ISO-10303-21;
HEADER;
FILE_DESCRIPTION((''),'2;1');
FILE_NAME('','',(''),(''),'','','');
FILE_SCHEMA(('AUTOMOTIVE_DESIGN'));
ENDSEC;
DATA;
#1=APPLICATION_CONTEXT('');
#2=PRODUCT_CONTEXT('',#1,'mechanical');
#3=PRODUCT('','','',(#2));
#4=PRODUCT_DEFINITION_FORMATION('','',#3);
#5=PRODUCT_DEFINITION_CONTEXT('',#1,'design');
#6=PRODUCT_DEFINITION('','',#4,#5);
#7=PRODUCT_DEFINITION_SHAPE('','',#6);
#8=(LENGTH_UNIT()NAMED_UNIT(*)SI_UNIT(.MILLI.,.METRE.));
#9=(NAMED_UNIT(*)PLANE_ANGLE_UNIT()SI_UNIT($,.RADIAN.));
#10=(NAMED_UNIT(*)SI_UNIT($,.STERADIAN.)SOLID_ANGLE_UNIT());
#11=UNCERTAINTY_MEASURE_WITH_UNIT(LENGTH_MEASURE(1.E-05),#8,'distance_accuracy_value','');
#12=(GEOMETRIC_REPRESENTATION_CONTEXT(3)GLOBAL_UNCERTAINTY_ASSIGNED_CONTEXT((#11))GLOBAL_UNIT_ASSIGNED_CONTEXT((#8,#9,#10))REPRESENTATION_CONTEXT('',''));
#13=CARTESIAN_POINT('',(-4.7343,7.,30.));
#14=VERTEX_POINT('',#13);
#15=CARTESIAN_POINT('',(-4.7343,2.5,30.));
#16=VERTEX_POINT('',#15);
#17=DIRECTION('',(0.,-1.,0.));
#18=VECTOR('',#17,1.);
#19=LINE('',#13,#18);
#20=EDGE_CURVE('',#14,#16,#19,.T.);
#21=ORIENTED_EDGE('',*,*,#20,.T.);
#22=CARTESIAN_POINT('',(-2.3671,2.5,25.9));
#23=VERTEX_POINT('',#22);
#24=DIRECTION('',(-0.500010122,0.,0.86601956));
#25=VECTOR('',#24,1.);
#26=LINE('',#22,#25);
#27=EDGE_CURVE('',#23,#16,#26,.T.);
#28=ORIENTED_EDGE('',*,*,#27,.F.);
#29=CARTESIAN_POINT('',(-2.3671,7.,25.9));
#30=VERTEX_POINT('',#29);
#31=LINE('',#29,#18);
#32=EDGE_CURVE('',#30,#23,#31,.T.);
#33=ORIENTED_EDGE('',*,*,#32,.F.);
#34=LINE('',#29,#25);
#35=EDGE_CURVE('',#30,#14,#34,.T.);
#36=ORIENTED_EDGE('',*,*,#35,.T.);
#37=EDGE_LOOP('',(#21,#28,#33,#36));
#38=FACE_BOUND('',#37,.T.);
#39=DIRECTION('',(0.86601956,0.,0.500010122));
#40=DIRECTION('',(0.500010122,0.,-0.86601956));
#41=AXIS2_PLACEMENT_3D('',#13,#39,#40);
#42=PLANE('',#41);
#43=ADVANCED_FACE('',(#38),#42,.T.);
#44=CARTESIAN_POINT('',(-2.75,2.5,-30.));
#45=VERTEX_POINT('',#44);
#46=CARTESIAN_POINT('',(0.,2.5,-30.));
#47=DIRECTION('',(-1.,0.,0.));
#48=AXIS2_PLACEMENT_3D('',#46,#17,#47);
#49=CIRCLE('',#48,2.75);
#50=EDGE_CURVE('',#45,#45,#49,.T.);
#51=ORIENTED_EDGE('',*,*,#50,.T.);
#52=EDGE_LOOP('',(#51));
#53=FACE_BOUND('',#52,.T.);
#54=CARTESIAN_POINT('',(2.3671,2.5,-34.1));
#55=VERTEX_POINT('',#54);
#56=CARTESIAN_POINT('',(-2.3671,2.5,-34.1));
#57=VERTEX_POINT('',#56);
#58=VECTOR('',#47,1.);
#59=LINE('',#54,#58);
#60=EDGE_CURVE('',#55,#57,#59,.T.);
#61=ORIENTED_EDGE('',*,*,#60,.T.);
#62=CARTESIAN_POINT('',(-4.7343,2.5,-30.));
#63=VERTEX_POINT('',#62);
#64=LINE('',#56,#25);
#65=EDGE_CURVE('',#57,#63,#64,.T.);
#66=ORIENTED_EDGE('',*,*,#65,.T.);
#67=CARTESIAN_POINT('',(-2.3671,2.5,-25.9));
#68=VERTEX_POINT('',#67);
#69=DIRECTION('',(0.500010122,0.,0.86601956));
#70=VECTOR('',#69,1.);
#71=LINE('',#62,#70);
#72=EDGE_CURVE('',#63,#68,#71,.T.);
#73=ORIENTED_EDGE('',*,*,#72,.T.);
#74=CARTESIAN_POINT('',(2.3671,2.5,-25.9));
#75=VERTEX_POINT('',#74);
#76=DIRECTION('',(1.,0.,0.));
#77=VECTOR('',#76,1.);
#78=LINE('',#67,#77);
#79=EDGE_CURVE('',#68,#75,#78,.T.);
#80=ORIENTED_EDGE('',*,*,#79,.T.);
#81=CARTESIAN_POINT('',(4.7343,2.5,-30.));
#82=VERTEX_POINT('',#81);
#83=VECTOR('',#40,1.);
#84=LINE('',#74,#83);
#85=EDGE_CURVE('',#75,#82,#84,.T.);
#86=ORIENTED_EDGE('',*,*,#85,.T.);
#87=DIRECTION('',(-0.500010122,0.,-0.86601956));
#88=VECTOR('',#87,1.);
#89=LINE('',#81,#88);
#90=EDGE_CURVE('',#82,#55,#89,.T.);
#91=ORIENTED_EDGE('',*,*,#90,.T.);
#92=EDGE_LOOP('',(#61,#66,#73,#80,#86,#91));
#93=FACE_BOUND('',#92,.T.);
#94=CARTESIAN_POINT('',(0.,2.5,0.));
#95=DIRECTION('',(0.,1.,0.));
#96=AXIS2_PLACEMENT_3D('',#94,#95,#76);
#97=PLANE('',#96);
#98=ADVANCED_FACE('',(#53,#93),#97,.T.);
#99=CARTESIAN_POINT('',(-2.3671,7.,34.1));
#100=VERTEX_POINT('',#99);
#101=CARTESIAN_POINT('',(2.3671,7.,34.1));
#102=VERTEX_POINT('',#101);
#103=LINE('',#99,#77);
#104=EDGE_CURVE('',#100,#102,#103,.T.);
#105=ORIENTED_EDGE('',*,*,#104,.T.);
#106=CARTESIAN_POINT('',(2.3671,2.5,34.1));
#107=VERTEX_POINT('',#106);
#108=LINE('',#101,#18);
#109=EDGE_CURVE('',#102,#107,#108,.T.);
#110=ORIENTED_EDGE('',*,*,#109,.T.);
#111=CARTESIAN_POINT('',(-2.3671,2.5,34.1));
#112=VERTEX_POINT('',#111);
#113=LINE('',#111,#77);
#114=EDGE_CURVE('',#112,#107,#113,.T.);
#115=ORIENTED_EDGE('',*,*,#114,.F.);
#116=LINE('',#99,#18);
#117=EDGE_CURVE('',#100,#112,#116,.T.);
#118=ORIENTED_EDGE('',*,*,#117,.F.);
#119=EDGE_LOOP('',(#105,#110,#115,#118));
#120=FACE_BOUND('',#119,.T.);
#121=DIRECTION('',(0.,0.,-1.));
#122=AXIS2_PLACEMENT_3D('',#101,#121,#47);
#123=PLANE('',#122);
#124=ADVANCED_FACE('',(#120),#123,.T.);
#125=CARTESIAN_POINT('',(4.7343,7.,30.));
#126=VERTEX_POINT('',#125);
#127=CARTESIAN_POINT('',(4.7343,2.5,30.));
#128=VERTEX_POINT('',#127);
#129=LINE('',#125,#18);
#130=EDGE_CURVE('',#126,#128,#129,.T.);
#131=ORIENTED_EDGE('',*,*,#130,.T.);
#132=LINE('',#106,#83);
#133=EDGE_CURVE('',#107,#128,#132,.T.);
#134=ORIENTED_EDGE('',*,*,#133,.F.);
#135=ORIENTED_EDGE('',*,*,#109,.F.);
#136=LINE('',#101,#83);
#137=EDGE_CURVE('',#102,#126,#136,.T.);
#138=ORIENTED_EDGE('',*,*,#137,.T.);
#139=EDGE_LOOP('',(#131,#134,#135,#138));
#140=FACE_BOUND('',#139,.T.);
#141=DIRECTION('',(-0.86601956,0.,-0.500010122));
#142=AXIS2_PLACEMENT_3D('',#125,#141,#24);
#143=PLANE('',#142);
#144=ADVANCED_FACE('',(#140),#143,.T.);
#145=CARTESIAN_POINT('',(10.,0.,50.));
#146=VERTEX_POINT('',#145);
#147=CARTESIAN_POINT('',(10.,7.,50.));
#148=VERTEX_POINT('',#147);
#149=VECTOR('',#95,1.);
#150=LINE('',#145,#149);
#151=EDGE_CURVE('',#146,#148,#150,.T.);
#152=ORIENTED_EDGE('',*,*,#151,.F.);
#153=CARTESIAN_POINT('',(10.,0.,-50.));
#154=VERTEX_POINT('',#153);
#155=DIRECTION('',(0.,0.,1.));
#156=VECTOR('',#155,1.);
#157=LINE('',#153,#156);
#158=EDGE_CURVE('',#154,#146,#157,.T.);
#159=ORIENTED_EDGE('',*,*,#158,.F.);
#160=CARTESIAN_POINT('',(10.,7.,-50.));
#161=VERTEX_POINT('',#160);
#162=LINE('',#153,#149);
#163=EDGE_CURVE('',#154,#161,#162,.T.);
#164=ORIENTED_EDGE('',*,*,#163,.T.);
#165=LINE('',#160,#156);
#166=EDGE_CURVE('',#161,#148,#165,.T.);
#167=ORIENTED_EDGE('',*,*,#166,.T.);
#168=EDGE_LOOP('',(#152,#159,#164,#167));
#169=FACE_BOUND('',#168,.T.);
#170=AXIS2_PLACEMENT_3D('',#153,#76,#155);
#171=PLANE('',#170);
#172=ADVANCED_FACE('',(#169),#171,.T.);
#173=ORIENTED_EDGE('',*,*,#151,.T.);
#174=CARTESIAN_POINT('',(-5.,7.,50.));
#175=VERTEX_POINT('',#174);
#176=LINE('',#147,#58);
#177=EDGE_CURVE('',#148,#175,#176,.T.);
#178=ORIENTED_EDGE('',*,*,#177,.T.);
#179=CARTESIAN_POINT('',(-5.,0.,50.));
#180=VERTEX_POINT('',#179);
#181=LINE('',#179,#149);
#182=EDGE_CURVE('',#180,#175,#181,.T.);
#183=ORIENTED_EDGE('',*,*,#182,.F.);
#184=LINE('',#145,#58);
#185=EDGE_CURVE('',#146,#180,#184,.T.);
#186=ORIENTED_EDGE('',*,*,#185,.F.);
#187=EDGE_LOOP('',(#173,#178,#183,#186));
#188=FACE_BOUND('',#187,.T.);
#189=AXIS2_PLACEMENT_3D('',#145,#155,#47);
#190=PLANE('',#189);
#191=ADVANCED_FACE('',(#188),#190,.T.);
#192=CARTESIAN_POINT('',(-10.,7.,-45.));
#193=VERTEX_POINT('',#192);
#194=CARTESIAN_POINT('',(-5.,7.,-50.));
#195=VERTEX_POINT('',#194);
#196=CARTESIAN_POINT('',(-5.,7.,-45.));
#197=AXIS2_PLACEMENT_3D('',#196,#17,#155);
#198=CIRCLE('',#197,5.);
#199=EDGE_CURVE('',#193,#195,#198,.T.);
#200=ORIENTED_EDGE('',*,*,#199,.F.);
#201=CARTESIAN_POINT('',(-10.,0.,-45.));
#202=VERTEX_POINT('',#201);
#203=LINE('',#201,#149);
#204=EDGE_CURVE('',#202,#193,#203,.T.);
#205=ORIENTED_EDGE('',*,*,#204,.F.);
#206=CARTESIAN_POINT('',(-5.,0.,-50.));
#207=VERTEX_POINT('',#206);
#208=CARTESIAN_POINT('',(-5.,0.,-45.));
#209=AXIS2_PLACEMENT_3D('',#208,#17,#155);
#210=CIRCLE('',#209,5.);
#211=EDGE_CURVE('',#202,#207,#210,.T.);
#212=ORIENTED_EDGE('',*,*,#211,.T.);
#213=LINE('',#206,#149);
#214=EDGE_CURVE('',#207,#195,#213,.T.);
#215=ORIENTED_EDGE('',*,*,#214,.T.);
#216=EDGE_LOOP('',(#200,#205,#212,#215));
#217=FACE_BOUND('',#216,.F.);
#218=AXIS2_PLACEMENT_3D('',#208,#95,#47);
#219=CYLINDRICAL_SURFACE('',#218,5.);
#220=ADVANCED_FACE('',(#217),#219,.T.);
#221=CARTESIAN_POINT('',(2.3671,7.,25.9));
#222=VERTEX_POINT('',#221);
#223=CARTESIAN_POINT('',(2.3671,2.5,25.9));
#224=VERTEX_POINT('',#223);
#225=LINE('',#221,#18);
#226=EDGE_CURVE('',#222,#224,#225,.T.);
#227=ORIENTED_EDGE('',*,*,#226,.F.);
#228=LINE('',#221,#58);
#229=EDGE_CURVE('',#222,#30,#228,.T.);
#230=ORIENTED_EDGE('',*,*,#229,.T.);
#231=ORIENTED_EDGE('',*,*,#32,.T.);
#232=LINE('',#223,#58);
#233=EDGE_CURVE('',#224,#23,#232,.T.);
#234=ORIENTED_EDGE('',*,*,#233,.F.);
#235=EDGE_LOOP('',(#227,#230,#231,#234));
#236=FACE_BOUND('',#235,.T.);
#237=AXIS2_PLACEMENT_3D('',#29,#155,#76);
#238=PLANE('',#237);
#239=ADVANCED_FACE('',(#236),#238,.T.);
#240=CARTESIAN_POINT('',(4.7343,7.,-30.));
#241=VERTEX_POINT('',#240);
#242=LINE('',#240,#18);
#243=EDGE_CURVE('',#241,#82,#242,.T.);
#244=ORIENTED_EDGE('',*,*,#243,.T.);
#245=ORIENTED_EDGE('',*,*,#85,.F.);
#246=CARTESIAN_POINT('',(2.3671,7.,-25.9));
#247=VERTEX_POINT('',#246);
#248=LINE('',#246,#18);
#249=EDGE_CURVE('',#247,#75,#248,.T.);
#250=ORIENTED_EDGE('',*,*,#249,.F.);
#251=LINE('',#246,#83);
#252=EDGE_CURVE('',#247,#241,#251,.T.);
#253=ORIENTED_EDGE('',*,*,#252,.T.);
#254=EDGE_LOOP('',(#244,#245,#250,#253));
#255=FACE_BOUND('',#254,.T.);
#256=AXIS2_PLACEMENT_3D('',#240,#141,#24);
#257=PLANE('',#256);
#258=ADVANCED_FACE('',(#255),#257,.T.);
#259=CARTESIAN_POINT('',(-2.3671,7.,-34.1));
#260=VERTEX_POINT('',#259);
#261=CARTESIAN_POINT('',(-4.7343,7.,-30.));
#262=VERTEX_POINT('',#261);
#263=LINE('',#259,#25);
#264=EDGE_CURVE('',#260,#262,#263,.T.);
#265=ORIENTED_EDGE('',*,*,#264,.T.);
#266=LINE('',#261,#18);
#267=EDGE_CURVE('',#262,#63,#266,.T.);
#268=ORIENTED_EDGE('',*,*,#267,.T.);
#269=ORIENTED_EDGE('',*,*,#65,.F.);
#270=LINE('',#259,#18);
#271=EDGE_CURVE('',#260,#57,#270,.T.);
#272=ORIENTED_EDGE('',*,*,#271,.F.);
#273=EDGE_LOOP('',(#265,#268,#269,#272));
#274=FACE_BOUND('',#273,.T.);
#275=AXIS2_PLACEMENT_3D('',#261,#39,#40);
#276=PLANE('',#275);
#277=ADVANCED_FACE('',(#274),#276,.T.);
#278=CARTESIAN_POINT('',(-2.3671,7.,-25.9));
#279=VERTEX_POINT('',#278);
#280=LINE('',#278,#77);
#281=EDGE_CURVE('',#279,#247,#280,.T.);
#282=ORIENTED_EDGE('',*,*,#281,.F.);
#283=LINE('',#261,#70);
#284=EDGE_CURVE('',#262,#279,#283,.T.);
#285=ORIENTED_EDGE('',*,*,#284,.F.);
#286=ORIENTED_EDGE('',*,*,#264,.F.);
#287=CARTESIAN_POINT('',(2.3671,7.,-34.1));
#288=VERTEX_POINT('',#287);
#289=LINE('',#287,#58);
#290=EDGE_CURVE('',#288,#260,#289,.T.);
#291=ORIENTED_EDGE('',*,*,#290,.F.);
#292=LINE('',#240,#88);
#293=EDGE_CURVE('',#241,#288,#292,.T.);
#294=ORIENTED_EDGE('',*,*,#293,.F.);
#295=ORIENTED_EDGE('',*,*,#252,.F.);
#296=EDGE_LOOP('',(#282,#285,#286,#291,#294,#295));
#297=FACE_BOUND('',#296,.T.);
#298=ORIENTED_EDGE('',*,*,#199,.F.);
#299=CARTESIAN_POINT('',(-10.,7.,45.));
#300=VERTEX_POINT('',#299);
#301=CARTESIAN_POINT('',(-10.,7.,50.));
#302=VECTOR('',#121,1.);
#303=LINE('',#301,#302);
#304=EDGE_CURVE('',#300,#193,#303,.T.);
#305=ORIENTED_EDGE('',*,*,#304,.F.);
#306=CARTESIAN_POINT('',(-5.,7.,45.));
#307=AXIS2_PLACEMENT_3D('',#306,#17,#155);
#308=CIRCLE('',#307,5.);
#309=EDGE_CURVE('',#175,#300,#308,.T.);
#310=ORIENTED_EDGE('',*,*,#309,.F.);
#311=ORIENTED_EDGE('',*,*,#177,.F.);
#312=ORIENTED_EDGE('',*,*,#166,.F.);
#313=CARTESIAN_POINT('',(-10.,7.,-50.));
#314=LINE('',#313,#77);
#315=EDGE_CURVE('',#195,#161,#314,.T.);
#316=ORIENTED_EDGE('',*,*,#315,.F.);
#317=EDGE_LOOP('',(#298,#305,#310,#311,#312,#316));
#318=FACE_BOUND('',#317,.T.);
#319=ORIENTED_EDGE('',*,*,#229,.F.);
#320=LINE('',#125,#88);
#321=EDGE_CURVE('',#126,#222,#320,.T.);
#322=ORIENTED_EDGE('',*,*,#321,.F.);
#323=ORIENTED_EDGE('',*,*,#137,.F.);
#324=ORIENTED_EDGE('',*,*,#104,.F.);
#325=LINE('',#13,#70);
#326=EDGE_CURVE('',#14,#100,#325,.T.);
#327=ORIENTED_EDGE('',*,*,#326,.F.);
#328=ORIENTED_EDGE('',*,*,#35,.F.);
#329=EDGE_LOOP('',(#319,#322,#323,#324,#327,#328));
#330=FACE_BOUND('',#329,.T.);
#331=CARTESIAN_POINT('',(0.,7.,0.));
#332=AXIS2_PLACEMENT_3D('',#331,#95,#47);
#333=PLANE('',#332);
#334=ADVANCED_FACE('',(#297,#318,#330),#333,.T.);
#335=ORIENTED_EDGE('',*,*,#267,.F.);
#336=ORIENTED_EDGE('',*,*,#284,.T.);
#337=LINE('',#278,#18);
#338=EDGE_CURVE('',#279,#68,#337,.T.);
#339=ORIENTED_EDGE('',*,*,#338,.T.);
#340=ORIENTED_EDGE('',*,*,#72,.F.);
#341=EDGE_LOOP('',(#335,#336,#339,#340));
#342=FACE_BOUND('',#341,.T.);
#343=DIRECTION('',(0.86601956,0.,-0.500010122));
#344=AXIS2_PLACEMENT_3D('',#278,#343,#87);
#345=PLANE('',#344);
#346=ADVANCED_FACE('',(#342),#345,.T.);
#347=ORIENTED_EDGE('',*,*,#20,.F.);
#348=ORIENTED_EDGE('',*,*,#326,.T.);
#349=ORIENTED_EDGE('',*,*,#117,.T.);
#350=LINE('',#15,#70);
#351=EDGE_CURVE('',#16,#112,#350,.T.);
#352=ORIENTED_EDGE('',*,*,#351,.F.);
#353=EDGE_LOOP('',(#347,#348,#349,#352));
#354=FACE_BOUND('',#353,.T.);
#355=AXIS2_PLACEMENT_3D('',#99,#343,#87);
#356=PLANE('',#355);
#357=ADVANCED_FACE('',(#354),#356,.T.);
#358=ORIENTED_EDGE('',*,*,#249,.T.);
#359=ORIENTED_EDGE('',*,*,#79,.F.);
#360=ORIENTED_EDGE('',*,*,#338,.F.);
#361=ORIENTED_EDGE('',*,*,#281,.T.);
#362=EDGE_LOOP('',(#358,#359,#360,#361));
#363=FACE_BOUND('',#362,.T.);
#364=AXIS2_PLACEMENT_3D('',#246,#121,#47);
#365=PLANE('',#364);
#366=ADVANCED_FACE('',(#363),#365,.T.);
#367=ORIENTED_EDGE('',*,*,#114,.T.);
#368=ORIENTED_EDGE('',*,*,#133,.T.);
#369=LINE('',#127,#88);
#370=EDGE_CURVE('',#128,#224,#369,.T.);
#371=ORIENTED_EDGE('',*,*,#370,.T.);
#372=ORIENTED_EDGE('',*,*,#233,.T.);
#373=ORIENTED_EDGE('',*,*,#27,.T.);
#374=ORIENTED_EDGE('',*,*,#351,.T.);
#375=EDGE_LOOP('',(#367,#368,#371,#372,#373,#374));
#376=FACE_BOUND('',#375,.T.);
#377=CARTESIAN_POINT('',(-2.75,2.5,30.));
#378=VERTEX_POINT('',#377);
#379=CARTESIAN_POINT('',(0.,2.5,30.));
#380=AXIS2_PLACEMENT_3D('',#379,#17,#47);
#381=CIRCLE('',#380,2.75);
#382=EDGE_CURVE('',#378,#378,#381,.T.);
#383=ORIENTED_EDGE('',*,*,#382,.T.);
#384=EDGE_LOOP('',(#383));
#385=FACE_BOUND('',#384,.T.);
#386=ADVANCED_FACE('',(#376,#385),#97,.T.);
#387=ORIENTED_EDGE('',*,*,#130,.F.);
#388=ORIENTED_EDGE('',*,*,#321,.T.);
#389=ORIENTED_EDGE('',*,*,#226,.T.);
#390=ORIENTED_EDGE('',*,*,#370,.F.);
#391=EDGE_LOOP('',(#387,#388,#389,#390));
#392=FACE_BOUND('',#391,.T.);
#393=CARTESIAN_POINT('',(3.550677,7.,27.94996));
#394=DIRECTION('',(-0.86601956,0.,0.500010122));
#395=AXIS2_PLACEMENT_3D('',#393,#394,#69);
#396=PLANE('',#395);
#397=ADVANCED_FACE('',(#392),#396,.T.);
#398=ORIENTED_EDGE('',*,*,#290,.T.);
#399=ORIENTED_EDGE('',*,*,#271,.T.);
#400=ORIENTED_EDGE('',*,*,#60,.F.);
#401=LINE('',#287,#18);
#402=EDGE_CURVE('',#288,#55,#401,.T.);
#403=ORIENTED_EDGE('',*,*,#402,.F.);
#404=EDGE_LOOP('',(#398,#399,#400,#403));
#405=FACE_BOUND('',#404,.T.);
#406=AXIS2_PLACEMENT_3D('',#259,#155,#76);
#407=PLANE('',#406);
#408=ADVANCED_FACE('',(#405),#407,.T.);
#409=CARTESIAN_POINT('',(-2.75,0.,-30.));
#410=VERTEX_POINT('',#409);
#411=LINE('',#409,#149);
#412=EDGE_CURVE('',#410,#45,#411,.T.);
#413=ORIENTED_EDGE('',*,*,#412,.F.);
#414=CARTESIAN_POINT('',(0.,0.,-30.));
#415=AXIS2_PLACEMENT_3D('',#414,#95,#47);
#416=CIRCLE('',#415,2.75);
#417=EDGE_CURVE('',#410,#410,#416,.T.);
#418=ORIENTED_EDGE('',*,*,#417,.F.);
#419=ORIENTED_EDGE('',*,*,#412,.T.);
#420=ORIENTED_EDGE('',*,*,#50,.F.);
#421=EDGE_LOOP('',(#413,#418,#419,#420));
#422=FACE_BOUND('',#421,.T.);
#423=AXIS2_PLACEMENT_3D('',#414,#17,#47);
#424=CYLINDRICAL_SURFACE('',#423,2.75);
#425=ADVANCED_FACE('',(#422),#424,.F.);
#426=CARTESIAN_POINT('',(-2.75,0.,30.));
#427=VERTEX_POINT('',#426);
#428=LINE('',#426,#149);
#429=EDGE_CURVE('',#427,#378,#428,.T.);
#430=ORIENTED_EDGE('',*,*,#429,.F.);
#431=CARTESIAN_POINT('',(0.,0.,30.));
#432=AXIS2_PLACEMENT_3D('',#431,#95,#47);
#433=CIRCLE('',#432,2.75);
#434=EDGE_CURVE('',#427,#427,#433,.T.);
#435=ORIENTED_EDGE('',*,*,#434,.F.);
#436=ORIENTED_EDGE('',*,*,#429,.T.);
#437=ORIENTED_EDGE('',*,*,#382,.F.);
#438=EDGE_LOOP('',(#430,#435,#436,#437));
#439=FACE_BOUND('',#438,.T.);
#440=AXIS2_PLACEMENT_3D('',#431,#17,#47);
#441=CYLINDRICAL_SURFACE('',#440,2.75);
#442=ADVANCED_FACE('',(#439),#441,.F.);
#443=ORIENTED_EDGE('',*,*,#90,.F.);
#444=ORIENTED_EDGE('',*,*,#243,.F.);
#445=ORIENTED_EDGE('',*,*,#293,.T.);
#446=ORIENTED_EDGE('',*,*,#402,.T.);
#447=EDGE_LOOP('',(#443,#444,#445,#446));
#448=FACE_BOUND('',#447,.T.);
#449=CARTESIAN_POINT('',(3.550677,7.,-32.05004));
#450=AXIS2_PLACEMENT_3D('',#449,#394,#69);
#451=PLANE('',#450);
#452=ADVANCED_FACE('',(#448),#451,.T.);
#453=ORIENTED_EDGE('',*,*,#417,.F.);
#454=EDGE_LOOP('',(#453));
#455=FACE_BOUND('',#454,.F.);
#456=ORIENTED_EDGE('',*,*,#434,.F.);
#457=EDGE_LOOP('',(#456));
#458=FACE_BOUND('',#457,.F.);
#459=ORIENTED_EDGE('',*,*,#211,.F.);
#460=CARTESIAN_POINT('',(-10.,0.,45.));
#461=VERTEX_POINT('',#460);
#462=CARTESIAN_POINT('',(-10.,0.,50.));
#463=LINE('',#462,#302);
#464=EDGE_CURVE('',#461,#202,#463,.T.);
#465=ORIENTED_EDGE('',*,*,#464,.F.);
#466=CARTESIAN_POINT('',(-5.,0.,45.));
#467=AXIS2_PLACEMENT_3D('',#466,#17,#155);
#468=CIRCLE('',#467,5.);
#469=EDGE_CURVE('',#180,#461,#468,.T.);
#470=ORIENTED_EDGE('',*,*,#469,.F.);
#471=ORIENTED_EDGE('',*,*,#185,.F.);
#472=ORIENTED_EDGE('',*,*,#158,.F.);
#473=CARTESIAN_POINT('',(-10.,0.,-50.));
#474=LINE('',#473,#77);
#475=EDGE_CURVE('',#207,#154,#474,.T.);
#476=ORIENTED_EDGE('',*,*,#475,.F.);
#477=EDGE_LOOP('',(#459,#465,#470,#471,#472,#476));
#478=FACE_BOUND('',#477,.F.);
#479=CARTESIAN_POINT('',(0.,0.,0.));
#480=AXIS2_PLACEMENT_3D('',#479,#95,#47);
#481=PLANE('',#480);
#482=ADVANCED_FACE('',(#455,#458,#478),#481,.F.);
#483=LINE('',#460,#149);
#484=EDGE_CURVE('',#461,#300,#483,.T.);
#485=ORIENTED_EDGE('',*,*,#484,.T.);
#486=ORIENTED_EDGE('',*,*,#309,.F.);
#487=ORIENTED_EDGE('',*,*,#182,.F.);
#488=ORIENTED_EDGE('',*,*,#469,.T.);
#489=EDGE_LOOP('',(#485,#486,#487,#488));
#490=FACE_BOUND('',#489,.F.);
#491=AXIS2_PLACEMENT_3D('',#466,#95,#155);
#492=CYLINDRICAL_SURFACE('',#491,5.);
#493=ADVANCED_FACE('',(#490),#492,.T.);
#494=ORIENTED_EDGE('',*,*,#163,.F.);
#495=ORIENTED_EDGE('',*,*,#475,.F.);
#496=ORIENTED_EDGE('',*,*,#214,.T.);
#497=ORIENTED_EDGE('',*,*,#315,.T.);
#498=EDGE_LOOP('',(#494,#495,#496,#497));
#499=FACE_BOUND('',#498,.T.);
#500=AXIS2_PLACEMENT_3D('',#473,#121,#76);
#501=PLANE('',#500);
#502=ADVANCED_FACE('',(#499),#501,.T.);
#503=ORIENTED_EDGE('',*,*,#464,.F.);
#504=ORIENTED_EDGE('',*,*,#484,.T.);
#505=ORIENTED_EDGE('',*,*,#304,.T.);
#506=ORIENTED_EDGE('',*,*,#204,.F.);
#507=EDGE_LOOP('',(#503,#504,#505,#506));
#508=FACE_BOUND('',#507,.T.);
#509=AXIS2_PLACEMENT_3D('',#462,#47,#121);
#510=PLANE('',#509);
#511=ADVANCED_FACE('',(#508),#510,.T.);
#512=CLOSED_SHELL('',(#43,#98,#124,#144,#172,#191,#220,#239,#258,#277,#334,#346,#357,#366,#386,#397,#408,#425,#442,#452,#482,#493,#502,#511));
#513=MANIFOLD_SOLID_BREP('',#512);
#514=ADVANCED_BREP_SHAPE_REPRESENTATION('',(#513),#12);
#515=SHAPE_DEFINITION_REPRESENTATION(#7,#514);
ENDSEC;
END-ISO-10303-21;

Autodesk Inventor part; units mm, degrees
ref_plane "YZ Plane" through (0, 0, 0) normal (1, 0, 0) x (0, 1, 0)
ref_plane "XZ Plane" through (0, 0, 0) normal (0, 1, 0) x (-1, 0, 0)
ref_plane "XY Plane" through (0, 0, 0) normal (0, 0, 1) x (1, 0, 0)
sketch "Sketch1" plane through (0, 0, 0) normal (0, 1, 0) x (-1, 0, 0)
  line L0 (-10, 50) -> (10, 50)
  line L1 (10, 50) -> (10, -50)
  line L2 (10, -50) -> (-10, -50)
  line L3 (-10, -50) -> (-10, 50)
  line L4 (-10, 50) -> (10, -50) construction
  line L5 (10, 50) -> (-10, -50) construction
  circle A0 centre (0, 30) radius 2.75
  circle A1 centre (0, -30) radius 2.75
  point P0 (0, 0)
  dimension "d0" = 20
  dimension "d1" = 100
  dimension "d2" = 5.5
  dimension "d3" = 20
  dimension "d4" = 20
extrude "Extrusion1" add sketch "Sketch1" along normal blind 7
sketch "Sketch2" plane through (0, 7, 0) normal (0, 1, 0) x (1, 0, 0)
  circle A0 centre (0, -30) radius 2.75 projected
  circle A1 centre (0, -30) radius 4.1
  circle A2 centre (0, 30) radius 2.75 projected
  circle A3 centre (0, 30) radius 4.1
  line L0 (-4.7343, -30) -> (-2.3671, -25.9)
  line L1 (-2.3671, -25.9) -> (2.3671, -25.9)
  line L2 (2.3671, -25.9) -> (4.7343, -30)
  line L3 (4.7343, -30) -> (2.3671, -34.1)
  line L4 (2.3671, -34.1) -> (-2.3671, -34.1)
  line L5 (-2.3671, -34.1) -> (-4.7343, -30)
  line L6 (-4.7343, 30) -> (-2.3671, 34.1)
  line L7 (-2.3671, 34.1) -> (2.3671, 34.1)
  line L8 (2.3671, 34.1) -> (4.7343, 30)
  line L9 (4.7343, 30) -> (2.3671, 25.9)
  line L10 (2.3671, 25.9) -> (-2.3671, 25.9)
  line L11 (-2.3671, 25.9) -> (-4.7343, 30)
  point P0 (0, 0)
  dimension "d7" = 8.2
extrude "Extrusion2" cut sketch "Sketch2" against normal blind 4.5 contours A0 | A1 | A1 L2 L3 | A1 L1 L2 | L3 L4 A1 | A1 L0 L1 | L4 L5 A1 | A1 L5 L0 | A2 | A3 | A3 L8 L9 | A3 L7 L8 | L9 L10 A3 | A3 L6 L7 | L10 L11 A3 | A3 L11 L6
fillet "Fillet1" radius 5 2 edges at (-10, 3.5, 50) (-10, 3.5, -50)
properties part number "Rubberplate2"
